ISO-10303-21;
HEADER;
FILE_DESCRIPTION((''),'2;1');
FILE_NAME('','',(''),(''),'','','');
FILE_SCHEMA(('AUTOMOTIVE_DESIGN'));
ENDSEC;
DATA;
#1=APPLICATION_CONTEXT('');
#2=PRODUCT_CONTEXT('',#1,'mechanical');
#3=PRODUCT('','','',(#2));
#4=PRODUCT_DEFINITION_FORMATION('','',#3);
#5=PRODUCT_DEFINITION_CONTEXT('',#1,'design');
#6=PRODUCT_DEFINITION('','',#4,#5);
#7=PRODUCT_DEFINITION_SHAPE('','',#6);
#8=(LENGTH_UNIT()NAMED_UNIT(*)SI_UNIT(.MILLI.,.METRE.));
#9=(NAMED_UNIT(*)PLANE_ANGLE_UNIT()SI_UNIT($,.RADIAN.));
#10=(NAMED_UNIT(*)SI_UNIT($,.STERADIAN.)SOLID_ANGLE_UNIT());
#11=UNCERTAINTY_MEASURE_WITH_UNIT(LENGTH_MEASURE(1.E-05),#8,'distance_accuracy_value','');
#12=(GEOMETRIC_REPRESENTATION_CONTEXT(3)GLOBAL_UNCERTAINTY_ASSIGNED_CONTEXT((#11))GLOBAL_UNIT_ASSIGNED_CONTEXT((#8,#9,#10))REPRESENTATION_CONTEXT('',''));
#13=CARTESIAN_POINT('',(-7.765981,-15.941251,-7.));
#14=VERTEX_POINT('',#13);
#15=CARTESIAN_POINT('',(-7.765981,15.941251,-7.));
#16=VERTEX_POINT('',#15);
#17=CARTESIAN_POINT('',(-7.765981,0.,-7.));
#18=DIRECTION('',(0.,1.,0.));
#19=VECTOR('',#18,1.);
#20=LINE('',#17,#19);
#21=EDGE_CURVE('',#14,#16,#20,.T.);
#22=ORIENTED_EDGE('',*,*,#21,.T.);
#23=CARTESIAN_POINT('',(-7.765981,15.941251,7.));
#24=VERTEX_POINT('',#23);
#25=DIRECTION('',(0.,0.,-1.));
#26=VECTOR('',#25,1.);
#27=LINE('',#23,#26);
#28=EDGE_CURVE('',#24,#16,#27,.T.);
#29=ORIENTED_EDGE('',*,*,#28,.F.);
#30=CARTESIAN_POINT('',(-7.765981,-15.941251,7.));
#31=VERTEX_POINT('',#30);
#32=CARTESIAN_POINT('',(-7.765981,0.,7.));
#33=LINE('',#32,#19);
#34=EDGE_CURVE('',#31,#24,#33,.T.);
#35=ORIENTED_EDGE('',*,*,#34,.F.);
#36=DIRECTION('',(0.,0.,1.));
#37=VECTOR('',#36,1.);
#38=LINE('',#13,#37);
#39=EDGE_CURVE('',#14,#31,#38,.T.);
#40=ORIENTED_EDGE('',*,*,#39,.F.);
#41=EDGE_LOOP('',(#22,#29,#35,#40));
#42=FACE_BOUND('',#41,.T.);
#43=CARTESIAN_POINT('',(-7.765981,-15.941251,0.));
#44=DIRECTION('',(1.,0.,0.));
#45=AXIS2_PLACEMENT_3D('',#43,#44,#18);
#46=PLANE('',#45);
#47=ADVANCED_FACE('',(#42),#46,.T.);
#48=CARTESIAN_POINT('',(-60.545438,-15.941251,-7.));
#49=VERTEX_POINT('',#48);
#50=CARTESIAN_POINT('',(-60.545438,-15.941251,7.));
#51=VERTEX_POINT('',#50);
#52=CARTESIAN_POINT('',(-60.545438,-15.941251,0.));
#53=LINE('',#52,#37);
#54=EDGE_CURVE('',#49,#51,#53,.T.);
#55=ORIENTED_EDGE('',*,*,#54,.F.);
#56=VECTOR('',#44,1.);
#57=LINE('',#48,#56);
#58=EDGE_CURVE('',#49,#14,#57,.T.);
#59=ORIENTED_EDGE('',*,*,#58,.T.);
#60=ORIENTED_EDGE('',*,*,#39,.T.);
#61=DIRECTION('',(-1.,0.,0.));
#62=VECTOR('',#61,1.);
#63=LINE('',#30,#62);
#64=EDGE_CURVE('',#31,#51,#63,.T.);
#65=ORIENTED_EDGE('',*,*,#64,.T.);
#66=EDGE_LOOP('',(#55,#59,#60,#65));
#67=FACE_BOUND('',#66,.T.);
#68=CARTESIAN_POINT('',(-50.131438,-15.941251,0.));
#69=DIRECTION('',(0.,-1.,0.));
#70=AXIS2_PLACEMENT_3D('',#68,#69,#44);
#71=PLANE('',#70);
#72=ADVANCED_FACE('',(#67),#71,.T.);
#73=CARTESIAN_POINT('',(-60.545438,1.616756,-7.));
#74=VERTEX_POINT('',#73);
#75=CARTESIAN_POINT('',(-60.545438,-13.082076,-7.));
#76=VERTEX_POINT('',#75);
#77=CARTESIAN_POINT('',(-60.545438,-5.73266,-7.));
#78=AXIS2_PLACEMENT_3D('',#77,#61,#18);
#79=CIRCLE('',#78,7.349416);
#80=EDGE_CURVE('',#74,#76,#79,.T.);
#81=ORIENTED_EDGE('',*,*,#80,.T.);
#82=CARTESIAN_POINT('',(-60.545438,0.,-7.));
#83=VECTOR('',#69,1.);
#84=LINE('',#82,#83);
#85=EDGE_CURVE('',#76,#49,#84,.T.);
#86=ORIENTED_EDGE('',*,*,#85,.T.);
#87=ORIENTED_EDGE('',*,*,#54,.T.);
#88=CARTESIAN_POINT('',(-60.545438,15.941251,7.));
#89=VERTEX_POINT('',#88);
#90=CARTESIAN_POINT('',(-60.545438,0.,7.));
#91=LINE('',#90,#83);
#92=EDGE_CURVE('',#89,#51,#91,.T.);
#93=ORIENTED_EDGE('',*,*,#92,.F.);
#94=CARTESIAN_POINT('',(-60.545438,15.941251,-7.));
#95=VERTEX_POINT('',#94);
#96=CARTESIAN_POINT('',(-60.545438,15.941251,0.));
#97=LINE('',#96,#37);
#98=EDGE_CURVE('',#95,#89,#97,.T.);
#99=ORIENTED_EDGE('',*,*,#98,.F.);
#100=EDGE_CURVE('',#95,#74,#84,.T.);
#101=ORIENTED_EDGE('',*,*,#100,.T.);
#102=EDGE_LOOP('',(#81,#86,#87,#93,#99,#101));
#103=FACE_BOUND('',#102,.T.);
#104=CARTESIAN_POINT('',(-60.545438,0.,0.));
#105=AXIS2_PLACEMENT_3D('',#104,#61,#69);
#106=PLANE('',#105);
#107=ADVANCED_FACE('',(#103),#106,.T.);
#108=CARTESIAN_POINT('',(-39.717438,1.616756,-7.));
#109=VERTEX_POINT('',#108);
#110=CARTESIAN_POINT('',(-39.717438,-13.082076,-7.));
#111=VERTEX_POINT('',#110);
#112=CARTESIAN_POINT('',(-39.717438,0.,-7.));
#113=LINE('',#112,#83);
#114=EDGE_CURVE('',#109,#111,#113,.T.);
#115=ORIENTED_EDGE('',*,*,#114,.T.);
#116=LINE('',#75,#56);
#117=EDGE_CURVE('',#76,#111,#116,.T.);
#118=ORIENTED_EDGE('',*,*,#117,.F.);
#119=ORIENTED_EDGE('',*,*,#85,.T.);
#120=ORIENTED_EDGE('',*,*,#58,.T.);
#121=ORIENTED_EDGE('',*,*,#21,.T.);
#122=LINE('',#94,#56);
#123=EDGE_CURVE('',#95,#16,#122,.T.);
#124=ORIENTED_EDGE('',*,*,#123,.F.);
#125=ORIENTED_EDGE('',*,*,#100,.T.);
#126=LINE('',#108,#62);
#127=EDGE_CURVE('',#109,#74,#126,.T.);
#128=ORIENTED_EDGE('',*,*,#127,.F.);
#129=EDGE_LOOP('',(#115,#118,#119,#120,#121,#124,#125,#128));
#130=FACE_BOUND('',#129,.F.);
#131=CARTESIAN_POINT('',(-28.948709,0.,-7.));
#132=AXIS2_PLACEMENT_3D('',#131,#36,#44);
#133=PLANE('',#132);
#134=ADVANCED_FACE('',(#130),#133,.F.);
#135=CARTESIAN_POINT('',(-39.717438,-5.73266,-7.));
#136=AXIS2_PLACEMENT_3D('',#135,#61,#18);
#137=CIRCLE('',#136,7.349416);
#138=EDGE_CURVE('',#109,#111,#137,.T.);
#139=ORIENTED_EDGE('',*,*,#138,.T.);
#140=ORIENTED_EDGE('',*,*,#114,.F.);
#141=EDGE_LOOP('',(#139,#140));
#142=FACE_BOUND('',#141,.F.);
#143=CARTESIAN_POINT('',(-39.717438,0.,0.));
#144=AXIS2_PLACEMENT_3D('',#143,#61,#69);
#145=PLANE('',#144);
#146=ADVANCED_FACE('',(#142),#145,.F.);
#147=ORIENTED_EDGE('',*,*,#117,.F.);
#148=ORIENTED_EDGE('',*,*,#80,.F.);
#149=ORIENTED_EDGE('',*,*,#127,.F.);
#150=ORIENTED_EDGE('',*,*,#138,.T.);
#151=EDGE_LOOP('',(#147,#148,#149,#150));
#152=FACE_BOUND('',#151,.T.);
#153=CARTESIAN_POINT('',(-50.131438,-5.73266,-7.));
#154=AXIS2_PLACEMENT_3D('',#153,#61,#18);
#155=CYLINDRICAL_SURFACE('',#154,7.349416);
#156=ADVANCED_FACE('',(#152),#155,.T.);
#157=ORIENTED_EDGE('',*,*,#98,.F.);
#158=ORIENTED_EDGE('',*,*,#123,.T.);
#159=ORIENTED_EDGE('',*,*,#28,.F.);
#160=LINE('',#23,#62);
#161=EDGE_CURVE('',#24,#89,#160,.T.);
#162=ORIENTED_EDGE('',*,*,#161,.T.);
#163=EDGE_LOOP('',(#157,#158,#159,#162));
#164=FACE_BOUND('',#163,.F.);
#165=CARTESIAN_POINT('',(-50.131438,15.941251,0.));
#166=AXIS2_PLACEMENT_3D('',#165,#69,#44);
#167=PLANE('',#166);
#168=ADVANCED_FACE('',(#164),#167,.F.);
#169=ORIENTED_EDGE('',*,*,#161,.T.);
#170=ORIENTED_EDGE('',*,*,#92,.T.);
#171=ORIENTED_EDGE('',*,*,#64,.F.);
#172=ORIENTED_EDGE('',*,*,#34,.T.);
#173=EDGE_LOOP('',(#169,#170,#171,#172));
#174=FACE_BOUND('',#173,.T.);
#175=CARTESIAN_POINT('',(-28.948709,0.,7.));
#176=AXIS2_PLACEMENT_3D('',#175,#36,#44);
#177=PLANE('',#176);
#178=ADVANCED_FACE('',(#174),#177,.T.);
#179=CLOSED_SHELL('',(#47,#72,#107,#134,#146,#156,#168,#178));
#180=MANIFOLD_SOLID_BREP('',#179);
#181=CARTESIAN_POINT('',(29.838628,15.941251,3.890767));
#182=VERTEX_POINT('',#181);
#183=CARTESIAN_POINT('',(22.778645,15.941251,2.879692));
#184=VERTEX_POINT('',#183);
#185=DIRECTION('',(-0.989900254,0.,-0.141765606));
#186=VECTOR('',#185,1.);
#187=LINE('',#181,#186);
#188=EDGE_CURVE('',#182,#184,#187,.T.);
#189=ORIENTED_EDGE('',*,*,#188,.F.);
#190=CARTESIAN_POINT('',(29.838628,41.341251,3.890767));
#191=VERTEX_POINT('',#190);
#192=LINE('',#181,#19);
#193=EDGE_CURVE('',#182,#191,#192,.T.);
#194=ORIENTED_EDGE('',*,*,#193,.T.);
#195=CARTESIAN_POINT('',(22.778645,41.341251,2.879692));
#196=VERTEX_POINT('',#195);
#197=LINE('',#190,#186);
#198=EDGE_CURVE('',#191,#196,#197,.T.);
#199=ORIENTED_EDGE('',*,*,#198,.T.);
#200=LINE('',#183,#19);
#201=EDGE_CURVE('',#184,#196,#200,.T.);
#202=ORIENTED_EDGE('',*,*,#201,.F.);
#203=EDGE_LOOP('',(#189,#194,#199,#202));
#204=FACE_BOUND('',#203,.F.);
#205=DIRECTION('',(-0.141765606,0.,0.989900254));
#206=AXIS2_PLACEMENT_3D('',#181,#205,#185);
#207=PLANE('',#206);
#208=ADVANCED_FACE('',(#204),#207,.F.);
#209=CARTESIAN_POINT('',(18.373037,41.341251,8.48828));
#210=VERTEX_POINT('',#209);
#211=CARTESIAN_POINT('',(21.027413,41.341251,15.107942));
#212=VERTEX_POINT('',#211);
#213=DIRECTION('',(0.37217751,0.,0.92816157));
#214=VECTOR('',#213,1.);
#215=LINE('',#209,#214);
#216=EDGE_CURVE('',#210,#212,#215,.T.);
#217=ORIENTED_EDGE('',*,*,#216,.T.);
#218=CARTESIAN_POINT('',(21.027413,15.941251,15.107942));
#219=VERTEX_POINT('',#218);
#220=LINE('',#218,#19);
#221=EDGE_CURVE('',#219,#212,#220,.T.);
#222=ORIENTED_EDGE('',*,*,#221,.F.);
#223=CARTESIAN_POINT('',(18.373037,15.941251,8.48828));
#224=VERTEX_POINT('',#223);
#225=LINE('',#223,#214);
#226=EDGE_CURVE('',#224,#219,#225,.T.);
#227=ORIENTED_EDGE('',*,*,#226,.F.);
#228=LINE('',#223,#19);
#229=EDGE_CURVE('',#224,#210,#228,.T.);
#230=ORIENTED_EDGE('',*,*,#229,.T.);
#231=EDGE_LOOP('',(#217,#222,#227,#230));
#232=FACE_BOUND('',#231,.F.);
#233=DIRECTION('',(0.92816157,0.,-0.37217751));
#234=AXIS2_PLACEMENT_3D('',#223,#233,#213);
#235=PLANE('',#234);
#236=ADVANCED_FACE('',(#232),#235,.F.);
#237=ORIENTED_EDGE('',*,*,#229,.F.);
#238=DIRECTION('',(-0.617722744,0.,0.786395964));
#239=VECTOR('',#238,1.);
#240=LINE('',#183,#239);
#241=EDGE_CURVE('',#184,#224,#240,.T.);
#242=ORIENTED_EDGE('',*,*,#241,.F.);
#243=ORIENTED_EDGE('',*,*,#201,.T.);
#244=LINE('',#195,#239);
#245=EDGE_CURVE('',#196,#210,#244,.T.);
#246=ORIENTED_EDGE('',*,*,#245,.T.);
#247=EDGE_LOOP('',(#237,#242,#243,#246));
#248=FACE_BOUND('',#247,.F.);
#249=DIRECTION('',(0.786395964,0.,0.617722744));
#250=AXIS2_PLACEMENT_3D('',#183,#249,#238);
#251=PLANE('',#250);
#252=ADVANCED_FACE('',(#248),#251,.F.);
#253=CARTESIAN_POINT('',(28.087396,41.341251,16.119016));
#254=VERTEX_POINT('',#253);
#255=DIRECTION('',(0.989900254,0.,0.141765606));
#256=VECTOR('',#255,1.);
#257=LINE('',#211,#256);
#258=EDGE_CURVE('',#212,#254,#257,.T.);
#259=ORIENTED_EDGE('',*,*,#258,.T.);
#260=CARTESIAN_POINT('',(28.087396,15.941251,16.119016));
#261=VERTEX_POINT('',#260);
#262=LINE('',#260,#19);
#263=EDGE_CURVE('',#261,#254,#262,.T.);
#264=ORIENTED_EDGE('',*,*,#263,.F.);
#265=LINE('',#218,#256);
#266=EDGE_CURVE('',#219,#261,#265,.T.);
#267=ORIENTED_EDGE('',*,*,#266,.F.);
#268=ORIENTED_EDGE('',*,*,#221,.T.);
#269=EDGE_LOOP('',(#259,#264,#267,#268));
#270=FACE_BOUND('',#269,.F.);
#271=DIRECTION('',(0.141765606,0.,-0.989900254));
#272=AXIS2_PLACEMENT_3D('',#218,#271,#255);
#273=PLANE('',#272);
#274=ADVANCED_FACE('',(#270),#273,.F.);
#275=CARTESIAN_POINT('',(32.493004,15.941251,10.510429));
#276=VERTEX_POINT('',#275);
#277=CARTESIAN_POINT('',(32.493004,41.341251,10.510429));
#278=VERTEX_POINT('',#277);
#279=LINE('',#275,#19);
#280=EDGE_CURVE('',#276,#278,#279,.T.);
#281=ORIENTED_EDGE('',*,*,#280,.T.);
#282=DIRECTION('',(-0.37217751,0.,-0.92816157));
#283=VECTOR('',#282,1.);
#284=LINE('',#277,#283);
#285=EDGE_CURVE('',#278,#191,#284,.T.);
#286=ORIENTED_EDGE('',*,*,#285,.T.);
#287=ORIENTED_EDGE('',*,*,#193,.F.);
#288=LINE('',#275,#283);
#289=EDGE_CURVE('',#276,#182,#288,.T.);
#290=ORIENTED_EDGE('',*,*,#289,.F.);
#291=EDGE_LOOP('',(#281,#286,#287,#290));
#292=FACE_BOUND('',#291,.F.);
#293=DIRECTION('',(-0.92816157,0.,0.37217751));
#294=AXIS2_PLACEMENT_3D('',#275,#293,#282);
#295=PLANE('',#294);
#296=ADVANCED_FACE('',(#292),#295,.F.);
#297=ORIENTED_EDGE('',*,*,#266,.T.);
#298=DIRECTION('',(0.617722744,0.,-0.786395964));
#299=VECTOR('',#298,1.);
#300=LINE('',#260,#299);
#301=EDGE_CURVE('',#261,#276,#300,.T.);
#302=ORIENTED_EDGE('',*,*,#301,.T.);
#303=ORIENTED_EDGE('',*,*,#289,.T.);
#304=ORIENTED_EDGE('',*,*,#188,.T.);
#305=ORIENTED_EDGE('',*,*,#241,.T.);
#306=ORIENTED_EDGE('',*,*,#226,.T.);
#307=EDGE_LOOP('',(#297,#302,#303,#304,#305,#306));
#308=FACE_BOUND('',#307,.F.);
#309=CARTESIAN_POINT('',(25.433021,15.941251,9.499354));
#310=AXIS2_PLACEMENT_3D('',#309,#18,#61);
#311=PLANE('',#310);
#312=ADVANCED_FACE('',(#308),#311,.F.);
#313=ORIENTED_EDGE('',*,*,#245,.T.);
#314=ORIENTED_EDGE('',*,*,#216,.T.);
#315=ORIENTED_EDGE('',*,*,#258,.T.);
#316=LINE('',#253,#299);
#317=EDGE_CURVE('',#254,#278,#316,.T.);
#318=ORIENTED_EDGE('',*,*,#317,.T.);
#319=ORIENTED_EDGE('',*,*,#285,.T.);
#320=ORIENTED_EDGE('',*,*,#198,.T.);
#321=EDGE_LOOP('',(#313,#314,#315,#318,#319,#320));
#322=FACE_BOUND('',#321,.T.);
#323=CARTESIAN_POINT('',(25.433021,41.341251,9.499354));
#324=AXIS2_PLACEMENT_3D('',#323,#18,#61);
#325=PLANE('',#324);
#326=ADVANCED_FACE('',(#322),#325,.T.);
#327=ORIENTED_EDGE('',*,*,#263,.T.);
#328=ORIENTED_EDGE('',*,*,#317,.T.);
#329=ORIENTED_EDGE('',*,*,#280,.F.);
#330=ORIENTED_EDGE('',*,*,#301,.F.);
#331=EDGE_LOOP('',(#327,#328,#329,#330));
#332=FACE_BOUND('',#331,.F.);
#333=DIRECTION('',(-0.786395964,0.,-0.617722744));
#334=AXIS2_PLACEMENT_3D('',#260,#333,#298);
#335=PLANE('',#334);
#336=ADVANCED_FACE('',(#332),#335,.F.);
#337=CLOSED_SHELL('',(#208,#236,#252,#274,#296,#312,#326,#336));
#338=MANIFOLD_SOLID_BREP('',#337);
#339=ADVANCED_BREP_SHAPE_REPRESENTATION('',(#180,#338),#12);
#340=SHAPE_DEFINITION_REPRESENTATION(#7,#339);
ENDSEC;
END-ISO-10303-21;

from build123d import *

# Parameters (mm, degrees)
F0_W      = 42.3654569313
F0_H      = 31.8825021386
F1_DEPTH  = 7
F1_FACE_W = 31.8825021386
F1_FACE_H = 14
F3_DEPTH  = 10.414
F5_DEPTH  = 25.4


with BuildPart() as f1:
    # F0 (on Top) → F1 (new body, symmetric)
    with BuildSketch(Plane.XY):
        with Locations((-28.9487093687, 0)):
            Rectangle(F0_W, F0_H)
    extrude(amount=F1_DEPTH, both=True)

    # F2 (on face) + F1_face (on face) → F3 (join, symmetric)
    with BuildSketch(Plane(origin=(-50.1314378344, 0, 0), x_dir=(0, -1, 0), z_dir=(-1, 0, 0))):
        with BuildLine():
            Line((-1.6167561431, -7), (13.0820755754, -7))
            ThreePointArc((13.0820755754, -7), (5.7326597162, 0.3494158592), (-1.6167561431, -7))
        make_face()
        with BuildLine():
            ThreePointArc((-1.6167561431, -7), (5.7326597162, -14.3494158592), (13.0820755754, -7))
            Line((13.0820755754, -7), (-1.6167561431, -7))
        make_face()
    with BuildSketch(Plane(origin=(-50.1314378344, 0, 0), x_dir=(0, -1, 0), z_dir=(-1, 0, 0))):
        Rectangle(F1_FACE_W, F1_FACE_H)
    extrude(amount=F3_DEPTH, both=True)


with BuildPart() as f5:
    # F4 (on face) → F5 (new body)
    with BuildSketch(Plane(origin=(0, 15.9412510693, 0), x_dir=(-1, 0, 0), z_dir=(0, 1, 0))):
        Polygon((-21.0274129238, 15.1079419327), (-28.0873961747, 16.1190163344), (-32.4930039171, 10.5104286897), (-29.8386284087, 3.8907666433), (-22.7786451578, 2.8796922415), (-18.3730374153, 8.4882798862), align=None)
    extrude(amount=F5_DEPTH)


solid = Compound([f1.part, f5.part])
